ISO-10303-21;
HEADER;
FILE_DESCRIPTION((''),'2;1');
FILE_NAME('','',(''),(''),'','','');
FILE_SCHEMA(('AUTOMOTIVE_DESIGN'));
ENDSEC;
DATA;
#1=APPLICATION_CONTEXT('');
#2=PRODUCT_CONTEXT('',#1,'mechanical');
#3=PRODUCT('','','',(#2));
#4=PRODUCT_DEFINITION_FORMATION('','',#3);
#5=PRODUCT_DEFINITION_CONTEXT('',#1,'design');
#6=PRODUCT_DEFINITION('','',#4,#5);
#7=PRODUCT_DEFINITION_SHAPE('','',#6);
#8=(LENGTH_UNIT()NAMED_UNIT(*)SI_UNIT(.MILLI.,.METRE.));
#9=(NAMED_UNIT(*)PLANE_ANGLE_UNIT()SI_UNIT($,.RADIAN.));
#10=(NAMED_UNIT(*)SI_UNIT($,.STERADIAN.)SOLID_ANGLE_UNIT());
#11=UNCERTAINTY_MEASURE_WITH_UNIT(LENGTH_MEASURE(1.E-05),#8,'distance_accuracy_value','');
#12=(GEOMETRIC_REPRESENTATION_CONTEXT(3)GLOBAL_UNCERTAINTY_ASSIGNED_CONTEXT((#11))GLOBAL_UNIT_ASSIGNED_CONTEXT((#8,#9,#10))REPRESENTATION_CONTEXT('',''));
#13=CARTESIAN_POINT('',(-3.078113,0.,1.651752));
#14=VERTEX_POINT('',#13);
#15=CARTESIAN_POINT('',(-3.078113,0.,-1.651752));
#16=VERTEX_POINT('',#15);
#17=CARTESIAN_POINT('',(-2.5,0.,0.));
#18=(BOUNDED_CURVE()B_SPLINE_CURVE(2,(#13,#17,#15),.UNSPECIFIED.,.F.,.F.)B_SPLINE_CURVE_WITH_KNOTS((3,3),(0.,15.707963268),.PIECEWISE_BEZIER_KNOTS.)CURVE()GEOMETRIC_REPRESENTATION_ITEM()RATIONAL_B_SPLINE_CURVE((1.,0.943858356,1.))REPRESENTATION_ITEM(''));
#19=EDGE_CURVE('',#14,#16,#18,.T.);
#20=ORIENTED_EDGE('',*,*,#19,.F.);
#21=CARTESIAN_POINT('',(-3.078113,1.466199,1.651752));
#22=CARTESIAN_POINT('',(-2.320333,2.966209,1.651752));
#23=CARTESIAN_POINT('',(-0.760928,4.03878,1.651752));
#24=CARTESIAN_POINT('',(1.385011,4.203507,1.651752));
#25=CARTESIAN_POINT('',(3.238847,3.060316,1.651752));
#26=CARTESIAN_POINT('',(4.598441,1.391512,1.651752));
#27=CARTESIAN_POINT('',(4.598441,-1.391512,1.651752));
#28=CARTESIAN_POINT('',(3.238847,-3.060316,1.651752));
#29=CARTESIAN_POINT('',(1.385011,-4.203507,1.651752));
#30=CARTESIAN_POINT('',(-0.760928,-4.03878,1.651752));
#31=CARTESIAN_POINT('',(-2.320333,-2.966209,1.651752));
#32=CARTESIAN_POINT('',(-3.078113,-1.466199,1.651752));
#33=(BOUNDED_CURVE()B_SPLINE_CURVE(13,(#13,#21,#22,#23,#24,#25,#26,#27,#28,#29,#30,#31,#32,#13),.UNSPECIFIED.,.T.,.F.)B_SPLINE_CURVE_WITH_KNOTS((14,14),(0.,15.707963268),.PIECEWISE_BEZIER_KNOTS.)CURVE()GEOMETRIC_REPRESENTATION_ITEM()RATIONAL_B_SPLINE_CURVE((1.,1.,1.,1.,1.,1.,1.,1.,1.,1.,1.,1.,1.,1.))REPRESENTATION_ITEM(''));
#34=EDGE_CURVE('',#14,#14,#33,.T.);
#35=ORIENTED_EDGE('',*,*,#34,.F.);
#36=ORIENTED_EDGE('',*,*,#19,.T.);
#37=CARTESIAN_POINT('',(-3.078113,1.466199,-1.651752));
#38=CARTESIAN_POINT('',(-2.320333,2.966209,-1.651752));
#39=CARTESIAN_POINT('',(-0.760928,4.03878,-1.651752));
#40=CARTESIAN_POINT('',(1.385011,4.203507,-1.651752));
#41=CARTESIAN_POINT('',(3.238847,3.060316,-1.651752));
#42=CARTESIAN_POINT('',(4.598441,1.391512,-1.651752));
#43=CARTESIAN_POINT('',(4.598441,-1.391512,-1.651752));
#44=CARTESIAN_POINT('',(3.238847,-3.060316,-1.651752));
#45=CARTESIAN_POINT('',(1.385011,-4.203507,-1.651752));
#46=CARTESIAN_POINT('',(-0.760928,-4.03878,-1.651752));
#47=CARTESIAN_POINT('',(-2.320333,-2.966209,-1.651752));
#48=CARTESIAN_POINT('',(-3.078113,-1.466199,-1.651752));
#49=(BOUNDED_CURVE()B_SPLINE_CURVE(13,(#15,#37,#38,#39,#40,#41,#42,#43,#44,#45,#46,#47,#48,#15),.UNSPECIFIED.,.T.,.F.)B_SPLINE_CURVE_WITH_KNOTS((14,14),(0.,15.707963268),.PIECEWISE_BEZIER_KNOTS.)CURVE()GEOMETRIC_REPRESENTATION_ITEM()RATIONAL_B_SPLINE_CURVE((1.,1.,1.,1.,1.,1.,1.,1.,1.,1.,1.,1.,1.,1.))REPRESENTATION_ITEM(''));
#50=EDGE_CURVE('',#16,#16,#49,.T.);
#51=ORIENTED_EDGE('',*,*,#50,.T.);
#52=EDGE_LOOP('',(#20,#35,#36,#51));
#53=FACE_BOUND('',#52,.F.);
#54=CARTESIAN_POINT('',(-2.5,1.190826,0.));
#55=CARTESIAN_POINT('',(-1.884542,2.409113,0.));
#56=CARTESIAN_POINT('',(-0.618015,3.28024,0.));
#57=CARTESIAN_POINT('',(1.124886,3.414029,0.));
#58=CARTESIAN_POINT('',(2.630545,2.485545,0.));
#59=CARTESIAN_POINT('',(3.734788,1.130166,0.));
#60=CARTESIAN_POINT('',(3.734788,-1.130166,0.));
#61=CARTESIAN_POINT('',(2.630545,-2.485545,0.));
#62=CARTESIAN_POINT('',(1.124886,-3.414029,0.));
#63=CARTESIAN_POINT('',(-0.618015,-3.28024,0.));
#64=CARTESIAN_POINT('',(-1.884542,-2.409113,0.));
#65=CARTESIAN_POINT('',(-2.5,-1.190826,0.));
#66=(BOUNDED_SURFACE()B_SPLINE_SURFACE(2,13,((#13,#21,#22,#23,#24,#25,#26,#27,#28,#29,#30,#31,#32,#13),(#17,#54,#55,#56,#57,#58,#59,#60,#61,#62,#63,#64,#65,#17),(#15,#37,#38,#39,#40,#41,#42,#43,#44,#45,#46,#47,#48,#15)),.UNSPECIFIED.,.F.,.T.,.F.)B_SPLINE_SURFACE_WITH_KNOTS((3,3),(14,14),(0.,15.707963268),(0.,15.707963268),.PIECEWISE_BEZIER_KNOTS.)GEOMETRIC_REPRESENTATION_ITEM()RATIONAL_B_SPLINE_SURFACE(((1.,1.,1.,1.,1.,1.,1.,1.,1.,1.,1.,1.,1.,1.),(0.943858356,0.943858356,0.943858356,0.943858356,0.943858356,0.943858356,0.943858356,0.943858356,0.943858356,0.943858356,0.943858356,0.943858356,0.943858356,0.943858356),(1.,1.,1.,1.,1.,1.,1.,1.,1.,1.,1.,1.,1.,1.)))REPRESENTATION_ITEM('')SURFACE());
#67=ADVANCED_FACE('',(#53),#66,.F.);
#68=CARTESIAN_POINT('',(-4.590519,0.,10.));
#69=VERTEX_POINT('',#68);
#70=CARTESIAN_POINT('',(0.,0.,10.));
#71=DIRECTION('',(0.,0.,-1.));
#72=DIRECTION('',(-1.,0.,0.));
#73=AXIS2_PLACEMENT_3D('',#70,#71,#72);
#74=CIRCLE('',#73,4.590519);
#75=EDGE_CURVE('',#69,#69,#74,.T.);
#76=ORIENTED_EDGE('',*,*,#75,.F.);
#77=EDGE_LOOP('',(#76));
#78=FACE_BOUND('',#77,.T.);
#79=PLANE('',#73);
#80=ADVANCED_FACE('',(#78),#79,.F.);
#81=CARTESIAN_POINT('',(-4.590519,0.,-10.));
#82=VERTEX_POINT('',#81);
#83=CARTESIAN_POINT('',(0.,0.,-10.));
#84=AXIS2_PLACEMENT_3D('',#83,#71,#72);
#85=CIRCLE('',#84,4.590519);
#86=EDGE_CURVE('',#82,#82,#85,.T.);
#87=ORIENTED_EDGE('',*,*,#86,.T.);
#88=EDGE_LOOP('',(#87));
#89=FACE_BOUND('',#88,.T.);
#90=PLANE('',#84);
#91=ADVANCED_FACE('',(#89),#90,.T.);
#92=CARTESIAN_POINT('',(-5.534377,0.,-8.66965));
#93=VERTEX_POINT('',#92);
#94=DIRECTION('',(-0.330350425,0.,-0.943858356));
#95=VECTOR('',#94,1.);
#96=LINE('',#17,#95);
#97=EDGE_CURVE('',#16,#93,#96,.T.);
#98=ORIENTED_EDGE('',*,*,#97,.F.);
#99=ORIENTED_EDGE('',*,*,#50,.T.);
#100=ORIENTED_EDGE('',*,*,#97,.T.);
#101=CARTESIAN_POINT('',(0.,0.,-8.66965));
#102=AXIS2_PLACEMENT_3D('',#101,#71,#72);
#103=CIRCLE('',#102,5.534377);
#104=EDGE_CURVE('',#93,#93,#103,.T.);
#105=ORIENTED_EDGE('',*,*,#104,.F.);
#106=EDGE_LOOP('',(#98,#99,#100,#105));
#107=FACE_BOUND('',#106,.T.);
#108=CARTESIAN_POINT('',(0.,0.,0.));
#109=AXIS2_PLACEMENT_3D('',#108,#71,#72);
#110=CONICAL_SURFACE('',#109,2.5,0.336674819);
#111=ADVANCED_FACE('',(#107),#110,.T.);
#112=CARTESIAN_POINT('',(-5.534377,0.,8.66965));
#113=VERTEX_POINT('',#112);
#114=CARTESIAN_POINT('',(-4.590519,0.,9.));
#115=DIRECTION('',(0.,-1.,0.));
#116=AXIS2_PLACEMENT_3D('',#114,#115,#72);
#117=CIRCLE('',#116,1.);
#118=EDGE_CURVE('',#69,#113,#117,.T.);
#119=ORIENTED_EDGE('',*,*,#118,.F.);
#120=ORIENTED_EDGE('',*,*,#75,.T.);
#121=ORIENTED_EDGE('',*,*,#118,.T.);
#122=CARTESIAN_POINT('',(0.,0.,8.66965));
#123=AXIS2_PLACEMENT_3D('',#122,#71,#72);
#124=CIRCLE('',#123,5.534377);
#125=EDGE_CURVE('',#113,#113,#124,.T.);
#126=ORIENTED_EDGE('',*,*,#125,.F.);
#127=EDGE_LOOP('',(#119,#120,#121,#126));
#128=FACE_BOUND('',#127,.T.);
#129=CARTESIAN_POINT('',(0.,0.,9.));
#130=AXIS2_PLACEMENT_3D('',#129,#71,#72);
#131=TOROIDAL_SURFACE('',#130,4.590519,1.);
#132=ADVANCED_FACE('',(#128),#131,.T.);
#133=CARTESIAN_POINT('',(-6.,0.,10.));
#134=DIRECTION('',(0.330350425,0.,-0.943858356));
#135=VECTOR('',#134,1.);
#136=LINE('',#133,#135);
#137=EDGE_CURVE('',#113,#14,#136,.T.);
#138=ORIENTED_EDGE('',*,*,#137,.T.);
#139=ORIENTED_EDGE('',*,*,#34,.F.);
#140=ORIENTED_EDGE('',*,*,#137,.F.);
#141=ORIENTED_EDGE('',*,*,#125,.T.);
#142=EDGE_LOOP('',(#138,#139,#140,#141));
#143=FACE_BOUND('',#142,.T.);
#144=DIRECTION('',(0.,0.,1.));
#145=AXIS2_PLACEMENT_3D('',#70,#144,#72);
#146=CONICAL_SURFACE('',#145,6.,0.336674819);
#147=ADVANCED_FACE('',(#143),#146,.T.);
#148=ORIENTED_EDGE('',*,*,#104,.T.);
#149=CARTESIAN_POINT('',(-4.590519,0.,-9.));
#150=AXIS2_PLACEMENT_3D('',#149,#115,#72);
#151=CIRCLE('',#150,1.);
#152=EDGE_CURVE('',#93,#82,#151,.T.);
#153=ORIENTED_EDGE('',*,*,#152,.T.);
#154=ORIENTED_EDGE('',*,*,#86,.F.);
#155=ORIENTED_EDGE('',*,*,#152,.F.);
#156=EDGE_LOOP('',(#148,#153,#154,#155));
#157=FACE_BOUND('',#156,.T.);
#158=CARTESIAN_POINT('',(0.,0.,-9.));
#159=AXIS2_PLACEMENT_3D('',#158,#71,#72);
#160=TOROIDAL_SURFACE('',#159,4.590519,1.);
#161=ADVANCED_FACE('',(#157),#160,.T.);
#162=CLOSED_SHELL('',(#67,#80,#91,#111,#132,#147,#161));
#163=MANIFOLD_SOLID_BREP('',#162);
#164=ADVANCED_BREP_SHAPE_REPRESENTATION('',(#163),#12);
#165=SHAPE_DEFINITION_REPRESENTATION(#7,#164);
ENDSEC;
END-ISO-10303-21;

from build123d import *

# Parameters (mm, degrees)
F2_R = 1
F3_R = 5


with BuildPart() as f1:
    # F0 (on Front) → F1 (revolve)
    with BuildSketch(Plane.XZ):
        Polygon((0, -10), (0, 10), (-6, 10), (-2.5, 0), (-6, -10), align=None)
    revolve(axis=Axis((0, 0, 0), (0, 0, -1)))

    # F2
    f2_edges = [f1.edges().sort_by_distance(p)[0] for p in [
        (6, 0, 10),
        (6, 0, -10),
    ]]
    fillet(f2_edges, radius=F2_R)

    # F3
    f3_edges = [f1.edges().sort_by_distance(p)[0] for p in [
        (2.5, 0, 0),
    ]]
    fillet(f3_edges, radius=F3_R)


solid = f1.part
